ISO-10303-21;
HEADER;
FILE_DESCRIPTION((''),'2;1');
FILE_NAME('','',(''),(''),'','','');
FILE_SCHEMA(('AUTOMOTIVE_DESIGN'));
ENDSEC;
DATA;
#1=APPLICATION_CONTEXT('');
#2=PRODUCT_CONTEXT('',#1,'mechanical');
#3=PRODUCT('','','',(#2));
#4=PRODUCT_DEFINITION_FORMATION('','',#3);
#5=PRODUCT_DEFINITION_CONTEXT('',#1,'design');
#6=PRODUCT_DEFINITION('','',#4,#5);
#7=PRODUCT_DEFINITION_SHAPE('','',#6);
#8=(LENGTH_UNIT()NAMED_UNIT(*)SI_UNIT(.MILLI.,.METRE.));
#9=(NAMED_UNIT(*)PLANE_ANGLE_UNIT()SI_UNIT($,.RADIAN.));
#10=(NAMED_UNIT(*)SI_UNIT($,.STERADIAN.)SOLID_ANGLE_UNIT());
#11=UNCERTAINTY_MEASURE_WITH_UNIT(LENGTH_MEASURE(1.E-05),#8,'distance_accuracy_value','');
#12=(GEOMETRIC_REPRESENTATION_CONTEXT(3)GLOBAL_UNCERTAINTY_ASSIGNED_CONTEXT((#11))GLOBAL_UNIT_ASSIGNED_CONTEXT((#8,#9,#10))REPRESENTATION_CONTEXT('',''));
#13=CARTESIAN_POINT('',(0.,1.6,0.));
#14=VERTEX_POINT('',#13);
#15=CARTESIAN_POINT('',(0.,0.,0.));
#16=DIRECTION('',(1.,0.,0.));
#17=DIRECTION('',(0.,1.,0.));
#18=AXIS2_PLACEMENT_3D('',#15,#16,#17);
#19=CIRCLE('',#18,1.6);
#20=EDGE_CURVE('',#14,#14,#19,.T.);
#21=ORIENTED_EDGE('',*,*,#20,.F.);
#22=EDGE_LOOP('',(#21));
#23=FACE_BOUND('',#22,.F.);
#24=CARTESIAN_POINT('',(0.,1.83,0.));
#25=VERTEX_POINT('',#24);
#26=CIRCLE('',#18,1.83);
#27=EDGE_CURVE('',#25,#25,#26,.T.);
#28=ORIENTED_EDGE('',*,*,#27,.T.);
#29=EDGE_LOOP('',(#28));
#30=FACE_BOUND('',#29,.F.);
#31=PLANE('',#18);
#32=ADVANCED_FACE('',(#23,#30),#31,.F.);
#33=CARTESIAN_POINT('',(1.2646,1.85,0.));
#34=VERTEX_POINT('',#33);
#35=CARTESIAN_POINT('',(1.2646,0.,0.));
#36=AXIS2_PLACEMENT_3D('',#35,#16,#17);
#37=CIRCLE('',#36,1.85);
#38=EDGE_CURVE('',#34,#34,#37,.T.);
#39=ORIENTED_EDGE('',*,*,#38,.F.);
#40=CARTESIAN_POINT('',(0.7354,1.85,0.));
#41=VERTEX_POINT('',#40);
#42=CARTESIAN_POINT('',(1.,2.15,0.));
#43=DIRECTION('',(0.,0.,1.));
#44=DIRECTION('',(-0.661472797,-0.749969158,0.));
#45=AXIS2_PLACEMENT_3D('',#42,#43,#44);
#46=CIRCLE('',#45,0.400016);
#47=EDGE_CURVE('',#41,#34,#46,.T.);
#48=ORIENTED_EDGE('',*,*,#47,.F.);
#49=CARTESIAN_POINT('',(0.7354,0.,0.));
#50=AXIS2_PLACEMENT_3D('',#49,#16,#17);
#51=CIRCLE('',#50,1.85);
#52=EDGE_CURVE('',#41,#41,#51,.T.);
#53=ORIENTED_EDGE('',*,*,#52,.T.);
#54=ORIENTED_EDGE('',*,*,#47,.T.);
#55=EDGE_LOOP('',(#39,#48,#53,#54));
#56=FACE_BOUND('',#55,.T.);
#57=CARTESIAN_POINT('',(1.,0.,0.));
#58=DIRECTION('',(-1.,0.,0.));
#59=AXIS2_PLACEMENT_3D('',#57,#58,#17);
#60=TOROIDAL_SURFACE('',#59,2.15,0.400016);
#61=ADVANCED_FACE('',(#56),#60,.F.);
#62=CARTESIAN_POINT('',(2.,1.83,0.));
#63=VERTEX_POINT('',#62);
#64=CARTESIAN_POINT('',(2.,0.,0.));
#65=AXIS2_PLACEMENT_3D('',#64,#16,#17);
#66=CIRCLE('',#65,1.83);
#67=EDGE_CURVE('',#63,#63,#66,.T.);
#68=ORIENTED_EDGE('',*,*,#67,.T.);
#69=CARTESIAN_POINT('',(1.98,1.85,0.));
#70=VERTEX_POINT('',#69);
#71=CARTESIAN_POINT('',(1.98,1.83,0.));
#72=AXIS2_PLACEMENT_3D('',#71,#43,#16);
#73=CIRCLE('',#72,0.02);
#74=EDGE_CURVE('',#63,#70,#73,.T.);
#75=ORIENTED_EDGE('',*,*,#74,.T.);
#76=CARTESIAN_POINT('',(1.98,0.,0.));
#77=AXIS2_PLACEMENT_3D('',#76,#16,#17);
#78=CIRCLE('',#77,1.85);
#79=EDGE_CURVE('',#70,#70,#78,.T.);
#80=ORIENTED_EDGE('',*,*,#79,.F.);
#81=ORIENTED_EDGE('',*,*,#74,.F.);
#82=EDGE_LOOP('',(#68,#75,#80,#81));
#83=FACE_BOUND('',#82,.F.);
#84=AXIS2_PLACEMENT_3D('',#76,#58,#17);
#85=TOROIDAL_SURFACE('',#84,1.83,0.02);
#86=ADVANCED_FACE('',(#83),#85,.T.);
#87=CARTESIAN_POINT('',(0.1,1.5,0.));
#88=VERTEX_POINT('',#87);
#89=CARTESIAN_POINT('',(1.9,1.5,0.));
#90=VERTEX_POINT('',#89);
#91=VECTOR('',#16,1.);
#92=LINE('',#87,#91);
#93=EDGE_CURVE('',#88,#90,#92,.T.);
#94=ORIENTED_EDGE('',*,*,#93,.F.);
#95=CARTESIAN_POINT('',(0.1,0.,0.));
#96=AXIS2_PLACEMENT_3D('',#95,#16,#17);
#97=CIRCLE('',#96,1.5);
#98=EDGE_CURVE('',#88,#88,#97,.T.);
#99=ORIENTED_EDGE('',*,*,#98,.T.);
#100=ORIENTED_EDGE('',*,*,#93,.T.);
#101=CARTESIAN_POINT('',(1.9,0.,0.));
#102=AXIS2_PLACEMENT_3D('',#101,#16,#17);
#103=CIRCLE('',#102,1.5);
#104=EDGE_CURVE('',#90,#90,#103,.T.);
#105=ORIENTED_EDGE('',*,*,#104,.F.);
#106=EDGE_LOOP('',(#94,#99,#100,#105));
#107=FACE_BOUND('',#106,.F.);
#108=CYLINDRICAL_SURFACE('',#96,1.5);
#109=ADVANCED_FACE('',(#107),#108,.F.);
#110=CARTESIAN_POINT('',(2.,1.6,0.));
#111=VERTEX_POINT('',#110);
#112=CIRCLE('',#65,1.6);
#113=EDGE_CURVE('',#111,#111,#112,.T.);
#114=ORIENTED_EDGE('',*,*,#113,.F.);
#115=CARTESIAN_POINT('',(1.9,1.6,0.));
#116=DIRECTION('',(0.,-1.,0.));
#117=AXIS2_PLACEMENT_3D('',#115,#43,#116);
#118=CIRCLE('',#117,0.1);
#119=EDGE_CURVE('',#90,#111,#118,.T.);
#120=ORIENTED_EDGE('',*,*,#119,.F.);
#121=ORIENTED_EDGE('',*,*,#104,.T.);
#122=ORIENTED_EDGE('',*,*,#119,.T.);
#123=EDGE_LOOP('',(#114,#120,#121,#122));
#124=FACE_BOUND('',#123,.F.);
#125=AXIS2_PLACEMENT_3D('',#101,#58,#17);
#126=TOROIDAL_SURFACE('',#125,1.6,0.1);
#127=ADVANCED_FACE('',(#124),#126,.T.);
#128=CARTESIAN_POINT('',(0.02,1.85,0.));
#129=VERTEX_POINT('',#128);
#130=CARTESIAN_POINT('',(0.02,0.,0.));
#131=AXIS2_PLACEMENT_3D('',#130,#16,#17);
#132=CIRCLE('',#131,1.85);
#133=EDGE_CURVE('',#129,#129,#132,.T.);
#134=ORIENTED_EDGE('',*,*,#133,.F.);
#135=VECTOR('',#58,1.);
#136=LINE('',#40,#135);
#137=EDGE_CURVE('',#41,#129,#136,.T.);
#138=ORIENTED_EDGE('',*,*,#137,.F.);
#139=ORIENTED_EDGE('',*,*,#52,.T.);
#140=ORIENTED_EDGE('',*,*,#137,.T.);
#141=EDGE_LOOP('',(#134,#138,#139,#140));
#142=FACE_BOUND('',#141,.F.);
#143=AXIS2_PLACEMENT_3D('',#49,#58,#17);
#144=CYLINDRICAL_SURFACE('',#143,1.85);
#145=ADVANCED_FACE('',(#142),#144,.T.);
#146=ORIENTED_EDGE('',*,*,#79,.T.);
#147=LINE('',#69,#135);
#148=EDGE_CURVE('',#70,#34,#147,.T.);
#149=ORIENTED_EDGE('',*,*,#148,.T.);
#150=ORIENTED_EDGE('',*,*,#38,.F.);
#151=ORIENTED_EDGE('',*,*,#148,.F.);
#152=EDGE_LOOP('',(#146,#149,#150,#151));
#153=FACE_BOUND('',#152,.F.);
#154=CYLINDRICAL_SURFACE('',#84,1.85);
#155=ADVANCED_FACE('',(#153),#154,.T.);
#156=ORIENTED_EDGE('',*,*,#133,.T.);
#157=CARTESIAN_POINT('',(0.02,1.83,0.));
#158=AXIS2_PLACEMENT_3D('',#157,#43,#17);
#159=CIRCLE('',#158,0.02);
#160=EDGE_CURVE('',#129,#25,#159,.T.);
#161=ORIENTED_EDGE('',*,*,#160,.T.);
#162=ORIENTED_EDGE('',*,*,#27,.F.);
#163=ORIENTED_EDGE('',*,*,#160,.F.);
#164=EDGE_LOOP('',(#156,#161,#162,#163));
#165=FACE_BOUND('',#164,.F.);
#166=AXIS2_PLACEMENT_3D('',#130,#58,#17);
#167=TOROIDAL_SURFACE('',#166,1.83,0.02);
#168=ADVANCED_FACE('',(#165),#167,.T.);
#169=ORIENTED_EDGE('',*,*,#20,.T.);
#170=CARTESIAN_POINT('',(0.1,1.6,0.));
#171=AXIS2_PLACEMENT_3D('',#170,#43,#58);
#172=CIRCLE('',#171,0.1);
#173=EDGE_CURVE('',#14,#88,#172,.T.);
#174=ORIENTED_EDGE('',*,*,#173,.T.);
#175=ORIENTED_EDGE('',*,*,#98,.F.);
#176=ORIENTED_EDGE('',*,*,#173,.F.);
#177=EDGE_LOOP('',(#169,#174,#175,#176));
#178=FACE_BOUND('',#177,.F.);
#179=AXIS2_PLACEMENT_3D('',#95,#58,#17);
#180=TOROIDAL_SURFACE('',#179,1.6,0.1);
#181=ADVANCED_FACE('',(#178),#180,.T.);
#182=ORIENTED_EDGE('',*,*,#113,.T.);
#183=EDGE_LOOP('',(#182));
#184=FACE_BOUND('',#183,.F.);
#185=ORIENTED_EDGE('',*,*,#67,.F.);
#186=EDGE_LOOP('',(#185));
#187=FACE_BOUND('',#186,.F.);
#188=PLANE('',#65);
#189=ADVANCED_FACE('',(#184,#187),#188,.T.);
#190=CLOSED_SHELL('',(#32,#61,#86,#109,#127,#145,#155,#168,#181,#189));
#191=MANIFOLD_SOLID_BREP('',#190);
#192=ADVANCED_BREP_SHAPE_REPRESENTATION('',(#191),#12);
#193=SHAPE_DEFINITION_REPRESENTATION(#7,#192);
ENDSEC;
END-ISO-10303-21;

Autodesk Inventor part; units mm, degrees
ref_plane "YZ Plane" through (0, 0, 0) normal (1, 0, 0) x (0, 1, 0)
ref_plane "XZ Plane" through (0, 0, 0) normal (0, 1, 0) x (-1, 0, 0)
ref_plane "XY Plane" through (0, 0, 0) normal (0, 0, 1) x (1, 0, 0)
sketch "Sketch_10" plane through (0, 0, 0) normal (0, 0, 1) x (1, 0, 0)
  line L0 (50, 0) -> (-50, 0)
  line L1 (0, 1.83) -> (0, 1.6)
  arc A0 (0, 1.6) -> (0.1, 1.5) centre (0.1, 1.6) ccw
  line L2 (0.1, 1.5) -> (1.9, 1.5)
  arc A1 (1.9, 1.5) -> (2, 1.6) centre (1.9, 1.6) ccw
  line L3 (2, 1.6) -> (2, 1.83)
  arc A2 (2, 1.83) -> (1.98, 1.85) centre (1.98, 1.83) ccw
  line L4 (1.98, 1.85) -> (1.2646, 1.85)
  arc A3 (0.7354, 1.85) -> (1.2646, 1.85) centre (1, 2.15) ccw
  line L5 (0.7354, 1.85) -> (0.02, 1.85)
  arc A4 (0.02, 1.85) -> (0, 1.83) centre (0.02, 1.83) ccw
revolve "Revolution1" add sketch "Sketch_10" angle 360 about axis through (50, 0, 0) along (1, 0, 0)
properties part number "W 617/3_PART1"
